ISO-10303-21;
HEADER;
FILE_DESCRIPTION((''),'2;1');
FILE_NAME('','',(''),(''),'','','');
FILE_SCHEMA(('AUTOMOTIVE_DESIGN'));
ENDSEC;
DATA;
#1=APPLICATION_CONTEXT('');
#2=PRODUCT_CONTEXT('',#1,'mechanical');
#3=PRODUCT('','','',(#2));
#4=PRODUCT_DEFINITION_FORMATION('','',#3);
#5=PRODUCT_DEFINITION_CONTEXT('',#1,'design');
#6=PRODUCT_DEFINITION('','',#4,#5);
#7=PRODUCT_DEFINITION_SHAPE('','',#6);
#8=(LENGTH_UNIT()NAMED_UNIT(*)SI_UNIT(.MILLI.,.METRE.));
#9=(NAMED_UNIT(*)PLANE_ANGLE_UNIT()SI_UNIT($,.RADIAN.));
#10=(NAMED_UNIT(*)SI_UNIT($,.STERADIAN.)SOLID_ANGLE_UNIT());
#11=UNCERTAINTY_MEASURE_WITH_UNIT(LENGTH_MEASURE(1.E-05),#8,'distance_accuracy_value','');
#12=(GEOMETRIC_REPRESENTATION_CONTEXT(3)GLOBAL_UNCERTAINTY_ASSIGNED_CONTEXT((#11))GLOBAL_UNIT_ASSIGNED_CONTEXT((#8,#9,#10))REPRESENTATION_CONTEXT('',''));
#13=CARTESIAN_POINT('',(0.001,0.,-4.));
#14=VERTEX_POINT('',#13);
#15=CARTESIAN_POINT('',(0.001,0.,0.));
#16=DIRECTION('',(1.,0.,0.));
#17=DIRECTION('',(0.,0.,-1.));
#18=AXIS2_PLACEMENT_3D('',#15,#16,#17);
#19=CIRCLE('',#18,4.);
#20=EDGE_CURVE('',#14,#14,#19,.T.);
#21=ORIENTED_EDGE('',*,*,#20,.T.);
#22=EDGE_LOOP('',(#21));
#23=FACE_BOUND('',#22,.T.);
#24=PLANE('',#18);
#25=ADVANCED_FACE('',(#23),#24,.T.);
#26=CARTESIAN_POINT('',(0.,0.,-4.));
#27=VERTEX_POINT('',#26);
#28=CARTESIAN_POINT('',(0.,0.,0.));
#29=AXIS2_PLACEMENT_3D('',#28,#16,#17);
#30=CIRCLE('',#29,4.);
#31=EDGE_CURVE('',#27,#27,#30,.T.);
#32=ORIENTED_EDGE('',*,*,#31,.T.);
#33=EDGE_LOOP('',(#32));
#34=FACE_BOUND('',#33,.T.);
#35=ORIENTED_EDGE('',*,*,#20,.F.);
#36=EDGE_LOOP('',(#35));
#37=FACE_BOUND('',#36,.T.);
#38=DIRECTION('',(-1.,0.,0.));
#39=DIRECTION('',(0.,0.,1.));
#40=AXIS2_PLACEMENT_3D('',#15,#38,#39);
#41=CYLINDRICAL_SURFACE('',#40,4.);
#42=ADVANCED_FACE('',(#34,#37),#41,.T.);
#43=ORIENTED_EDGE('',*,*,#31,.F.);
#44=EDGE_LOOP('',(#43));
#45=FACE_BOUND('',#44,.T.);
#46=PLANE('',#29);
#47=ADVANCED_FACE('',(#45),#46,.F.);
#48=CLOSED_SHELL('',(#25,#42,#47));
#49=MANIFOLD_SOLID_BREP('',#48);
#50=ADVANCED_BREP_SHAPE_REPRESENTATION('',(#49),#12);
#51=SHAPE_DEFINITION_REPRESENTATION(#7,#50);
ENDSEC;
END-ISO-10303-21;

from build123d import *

# Parameters (mm, degrees)
SKETCH1_R           = 4
BOSS_EXTRUDE1_DEPTH = 0.001


with BuildPart() as part:
    # Sketch1 → Boss-Extrude1 (new body)
    with BuildSketch(Plane(origin=(0, 0, 0), x_dir=(0, 0, -1), z_dir=(1, 0, 0))):
        Circle(SKETCH1_R)
    extrude(amount=BOSS_EXTRUDE1_DEPTH)


solid = part.part
